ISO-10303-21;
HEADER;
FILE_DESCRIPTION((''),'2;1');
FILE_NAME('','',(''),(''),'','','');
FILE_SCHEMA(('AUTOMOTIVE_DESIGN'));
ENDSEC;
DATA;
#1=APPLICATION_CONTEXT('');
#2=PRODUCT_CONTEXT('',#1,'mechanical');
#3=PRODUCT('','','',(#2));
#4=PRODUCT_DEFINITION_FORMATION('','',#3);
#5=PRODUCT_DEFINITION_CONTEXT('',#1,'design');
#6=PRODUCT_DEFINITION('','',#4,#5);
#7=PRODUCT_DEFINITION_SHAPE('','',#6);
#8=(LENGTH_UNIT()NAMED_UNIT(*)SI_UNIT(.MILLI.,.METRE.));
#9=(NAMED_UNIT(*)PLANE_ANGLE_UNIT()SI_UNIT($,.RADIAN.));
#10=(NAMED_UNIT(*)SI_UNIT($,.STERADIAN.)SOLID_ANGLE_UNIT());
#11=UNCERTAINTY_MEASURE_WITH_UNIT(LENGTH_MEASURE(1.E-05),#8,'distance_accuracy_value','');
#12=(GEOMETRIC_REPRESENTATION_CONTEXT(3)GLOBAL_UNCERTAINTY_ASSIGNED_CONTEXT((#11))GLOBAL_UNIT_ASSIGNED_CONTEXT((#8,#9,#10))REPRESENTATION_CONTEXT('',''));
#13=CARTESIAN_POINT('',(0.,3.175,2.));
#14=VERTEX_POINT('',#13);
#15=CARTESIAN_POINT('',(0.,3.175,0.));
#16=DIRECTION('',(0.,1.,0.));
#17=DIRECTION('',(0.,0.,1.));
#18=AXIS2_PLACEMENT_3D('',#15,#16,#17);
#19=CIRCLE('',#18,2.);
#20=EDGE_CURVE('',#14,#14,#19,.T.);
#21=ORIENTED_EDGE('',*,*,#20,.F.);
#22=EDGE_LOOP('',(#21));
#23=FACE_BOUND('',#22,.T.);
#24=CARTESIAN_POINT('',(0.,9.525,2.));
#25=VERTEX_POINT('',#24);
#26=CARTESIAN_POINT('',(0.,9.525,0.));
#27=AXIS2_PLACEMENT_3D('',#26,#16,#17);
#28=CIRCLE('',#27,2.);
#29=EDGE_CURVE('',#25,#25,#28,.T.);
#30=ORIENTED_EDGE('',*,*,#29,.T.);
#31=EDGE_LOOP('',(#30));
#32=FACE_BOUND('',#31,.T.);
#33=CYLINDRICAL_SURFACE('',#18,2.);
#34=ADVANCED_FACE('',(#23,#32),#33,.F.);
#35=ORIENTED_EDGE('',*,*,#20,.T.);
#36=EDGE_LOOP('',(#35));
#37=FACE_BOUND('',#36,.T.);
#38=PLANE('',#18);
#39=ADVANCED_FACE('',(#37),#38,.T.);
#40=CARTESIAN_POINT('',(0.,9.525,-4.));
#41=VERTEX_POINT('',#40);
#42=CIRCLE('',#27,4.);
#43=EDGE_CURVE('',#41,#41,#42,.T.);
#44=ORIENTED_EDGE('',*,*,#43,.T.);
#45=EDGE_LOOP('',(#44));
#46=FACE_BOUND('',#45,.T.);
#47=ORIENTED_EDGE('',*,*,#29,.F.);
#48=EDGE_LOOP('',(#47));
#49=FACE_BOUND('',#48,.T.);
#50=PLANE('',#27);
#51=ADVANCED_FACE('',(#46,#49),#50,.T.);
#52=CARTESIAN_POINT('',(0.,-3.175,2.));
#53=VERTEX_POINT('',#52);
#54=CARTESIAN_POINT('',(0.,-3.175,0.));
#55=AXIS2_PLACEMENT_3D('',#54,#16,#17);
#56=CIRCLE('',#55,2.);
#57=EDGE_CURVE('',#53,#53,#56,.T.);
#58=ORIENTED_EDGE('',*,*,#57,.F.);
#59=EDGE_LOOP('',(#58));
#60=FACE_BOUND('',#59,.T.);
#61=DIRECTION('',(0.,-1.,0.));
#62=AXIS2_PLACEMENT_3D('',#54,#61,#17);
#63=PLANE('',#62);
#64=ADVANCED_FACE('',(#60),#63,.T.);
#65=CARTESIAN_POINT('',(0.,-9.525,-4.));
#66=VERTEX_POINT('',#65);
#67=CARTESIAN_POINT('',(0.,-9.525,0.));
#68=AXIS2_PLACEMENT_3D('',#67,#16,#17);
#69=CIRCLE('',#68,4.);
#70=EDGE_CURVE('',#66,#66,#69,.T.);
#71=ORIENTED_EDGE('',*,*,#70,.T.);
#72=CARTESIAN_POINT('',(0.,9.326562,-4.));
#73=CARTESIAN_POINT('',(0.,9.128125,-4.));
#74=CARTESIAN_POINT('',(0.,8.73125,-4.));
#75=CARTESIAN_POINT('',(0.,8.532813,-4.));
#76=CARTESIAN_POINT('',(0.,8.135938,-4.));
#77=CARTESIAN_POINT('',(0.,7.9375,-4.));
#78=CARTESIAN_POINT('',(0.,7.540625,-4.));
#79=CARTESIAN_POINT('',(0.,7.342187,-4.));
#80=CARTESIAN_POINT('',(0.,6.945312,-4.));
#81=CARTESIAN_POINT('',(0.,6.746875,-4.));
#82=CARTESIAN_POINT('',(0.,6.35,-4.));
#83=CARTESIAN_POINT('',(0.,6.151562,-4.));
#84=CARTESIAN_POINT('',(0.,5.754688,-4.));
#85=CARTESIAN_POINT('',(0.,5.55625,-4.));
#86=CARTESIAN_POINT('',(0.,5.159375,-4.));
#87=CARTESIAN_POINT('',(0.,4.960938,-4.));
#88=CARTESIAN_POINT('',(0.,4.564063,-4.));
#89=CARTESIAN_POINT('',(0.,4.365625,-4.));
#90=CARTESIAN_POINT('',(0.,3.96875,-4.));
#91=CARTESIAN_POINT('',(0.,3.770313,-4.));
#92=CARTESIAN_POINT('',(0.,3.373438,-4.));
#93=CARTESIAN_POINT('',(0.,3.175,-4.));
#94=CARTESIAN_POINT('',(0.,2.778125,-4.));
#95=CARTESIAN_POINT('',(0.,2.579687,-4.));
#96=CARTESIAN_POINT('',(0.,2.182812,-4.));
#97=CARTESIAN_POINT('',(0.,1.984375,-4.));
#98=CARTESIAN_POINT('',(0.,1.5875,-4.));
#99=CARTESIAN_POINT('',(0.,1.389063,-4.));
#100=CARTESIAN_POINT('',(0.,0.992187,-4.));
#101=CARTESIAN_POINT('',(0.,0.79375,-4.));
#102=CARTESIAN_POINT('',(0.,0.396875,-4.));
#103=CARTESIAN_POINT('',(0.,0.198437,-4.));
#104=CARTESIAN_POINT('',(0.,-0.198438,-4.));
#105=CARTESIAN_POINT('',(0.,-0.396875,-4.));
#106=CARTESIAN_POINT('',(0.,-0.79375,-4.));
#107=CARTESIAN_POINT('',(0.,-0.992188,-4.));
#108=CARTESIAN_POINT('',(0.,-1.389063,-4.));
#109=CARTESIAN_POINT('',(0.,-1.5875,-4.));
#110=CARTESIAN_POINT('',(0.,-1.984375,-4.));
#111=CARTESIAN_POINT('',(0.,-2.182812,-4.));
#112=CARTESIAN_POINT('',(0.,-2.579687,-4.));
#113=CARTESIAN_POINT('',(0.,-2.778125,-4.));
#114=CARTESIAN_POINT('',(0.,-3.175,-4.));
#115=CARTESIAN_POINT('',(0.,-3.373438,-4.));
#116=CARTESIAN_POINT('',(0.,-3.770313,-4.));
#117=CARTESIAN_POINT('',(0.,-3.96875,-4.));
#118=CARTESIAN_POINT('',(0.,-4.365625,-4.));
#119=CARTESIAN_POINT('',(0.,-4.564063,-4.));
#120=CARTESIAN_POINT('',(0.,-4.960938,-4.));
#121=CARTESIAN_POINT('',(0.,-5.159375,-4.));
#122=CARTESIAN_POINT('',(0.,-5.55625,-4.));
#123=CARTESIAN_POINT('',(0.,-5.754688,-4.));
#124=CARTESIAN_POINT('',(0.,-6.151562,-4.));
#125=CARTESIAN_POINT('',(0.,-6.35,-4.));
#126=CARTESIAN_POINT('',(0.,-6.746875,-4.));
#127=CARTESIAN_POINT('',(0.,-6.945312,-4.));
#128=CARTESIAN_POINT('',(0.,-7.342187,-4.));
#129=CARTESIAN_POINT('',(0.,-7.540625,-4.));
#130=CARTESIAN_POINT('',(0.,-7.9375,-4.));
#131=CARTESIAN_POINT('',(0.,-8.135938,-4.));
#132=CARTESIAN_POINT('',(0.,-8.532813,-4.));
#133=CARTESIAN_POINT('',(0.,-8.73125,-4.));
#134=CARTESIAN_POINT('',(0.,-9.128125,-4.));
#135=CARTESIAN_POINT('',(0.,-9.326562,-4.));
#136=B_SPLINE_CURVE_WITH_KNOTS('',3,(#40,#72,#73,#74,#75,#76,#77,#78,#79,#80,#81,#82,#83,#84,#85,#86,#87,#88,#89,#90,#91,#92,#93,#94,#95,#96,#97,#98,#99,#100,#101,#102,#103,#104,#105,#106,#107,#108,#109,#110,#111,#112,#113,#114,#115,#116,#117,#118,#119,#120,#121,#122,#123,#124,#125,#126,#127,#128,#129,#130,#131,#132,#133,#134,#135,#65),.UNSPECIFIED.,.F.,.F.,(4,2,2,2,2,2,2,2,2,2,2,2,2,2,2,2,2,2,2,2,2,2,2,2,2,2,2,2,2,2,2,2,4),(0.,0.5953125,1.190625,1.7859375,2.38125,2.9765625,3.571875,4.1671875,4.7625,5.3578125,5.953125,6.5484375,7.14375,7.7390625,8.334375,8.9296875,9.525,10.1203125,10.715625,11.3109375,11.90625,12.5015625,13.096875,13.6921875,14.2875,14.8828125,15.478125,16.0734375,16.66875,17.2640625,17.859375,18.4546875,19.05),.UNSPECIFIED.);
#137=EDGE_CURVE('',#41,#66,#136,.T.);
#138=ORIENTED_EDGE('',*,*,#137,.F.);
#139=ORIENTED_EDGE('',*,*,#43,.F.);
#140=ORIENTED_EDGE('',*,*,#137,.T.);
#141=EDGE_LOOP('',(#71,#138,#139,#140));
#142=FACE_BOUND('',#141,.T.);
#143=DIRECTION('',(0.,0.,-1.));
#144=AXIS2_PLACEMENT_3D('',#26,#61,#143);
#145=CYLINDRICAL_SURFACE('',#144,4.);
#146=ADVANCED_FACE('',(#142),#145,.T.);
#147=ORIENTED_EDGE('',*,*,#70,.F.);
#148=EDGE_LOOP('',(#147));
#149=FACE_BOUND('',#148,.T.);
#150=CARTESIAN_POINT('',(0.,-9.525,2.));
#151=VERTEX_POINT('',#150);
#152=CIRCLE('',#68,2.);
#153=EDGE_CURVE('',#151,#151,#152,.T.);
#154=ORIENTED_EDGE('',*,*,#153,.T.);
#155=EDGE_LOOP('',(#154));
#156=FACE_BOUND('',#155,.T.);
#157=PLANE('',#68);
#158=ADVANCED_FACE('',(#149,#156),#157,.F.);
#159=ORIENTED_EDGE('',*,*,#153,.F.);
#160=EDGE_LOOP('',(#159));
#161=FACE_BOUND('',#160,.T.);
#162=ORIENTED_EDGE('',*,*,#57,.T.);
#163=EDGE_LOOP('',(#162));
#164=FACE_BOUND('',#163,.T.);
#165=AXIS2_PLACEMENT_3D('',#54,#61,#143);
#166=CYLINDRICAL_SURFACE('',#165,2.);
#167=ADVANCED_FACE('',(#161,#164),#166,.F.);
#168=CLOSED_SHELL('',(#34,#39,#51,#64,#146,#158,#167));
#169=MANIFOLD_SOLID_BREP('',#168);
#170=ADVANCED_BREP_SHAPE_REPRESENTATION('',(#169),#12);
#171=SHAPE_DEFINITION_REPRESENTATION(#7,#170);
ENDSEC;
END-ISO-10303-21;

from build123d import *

# Parameters (mm, degrees)
SKETCH2_R           = 4
BOSS_EXTRUDE2_DEPTH = 9.525
SKETCH3_R           = 2
CUT_EXTRUDE1_DEPTH  = 6.35


with BuildPart() as part:
    # Sketch2 → Boss-Extrude2 (new, symmetric)
    with BuildSketch(Plane(origin=(0, 0, 0), x_dir=(1, 0, 0), z_dir=(0, 1, 0))):
        with Locations(Location((0, 0, 0), (0, 0, 90))):
            Circle(SKETCH2_R)
    extrude(amount=BOSS_EXTRUDE2_DEPTH, both=True)

    # Sketch3 → Cut-Extrude1 (cut)
    with BuildSketch(Plane(origin=(0, 9.525, 0), x_dir=(1, 0, 0), z_dir=(0, 1, 0))):
        with Locations(Location((0, 0, 0), (0, 0, 270))):
            Circle(SKETCH3_R)
    cut_extrude1 = extrude(amount=-CUT_EXTRUDE1_DEPTH, mode=Mode.SUBTRACT)

    # Mirror1: Cut-Extrude1 across plane
    add(cut_extrude1.mirror(Plane.ZX), mode=Mode.SUBTRACT)


solid = part.part
